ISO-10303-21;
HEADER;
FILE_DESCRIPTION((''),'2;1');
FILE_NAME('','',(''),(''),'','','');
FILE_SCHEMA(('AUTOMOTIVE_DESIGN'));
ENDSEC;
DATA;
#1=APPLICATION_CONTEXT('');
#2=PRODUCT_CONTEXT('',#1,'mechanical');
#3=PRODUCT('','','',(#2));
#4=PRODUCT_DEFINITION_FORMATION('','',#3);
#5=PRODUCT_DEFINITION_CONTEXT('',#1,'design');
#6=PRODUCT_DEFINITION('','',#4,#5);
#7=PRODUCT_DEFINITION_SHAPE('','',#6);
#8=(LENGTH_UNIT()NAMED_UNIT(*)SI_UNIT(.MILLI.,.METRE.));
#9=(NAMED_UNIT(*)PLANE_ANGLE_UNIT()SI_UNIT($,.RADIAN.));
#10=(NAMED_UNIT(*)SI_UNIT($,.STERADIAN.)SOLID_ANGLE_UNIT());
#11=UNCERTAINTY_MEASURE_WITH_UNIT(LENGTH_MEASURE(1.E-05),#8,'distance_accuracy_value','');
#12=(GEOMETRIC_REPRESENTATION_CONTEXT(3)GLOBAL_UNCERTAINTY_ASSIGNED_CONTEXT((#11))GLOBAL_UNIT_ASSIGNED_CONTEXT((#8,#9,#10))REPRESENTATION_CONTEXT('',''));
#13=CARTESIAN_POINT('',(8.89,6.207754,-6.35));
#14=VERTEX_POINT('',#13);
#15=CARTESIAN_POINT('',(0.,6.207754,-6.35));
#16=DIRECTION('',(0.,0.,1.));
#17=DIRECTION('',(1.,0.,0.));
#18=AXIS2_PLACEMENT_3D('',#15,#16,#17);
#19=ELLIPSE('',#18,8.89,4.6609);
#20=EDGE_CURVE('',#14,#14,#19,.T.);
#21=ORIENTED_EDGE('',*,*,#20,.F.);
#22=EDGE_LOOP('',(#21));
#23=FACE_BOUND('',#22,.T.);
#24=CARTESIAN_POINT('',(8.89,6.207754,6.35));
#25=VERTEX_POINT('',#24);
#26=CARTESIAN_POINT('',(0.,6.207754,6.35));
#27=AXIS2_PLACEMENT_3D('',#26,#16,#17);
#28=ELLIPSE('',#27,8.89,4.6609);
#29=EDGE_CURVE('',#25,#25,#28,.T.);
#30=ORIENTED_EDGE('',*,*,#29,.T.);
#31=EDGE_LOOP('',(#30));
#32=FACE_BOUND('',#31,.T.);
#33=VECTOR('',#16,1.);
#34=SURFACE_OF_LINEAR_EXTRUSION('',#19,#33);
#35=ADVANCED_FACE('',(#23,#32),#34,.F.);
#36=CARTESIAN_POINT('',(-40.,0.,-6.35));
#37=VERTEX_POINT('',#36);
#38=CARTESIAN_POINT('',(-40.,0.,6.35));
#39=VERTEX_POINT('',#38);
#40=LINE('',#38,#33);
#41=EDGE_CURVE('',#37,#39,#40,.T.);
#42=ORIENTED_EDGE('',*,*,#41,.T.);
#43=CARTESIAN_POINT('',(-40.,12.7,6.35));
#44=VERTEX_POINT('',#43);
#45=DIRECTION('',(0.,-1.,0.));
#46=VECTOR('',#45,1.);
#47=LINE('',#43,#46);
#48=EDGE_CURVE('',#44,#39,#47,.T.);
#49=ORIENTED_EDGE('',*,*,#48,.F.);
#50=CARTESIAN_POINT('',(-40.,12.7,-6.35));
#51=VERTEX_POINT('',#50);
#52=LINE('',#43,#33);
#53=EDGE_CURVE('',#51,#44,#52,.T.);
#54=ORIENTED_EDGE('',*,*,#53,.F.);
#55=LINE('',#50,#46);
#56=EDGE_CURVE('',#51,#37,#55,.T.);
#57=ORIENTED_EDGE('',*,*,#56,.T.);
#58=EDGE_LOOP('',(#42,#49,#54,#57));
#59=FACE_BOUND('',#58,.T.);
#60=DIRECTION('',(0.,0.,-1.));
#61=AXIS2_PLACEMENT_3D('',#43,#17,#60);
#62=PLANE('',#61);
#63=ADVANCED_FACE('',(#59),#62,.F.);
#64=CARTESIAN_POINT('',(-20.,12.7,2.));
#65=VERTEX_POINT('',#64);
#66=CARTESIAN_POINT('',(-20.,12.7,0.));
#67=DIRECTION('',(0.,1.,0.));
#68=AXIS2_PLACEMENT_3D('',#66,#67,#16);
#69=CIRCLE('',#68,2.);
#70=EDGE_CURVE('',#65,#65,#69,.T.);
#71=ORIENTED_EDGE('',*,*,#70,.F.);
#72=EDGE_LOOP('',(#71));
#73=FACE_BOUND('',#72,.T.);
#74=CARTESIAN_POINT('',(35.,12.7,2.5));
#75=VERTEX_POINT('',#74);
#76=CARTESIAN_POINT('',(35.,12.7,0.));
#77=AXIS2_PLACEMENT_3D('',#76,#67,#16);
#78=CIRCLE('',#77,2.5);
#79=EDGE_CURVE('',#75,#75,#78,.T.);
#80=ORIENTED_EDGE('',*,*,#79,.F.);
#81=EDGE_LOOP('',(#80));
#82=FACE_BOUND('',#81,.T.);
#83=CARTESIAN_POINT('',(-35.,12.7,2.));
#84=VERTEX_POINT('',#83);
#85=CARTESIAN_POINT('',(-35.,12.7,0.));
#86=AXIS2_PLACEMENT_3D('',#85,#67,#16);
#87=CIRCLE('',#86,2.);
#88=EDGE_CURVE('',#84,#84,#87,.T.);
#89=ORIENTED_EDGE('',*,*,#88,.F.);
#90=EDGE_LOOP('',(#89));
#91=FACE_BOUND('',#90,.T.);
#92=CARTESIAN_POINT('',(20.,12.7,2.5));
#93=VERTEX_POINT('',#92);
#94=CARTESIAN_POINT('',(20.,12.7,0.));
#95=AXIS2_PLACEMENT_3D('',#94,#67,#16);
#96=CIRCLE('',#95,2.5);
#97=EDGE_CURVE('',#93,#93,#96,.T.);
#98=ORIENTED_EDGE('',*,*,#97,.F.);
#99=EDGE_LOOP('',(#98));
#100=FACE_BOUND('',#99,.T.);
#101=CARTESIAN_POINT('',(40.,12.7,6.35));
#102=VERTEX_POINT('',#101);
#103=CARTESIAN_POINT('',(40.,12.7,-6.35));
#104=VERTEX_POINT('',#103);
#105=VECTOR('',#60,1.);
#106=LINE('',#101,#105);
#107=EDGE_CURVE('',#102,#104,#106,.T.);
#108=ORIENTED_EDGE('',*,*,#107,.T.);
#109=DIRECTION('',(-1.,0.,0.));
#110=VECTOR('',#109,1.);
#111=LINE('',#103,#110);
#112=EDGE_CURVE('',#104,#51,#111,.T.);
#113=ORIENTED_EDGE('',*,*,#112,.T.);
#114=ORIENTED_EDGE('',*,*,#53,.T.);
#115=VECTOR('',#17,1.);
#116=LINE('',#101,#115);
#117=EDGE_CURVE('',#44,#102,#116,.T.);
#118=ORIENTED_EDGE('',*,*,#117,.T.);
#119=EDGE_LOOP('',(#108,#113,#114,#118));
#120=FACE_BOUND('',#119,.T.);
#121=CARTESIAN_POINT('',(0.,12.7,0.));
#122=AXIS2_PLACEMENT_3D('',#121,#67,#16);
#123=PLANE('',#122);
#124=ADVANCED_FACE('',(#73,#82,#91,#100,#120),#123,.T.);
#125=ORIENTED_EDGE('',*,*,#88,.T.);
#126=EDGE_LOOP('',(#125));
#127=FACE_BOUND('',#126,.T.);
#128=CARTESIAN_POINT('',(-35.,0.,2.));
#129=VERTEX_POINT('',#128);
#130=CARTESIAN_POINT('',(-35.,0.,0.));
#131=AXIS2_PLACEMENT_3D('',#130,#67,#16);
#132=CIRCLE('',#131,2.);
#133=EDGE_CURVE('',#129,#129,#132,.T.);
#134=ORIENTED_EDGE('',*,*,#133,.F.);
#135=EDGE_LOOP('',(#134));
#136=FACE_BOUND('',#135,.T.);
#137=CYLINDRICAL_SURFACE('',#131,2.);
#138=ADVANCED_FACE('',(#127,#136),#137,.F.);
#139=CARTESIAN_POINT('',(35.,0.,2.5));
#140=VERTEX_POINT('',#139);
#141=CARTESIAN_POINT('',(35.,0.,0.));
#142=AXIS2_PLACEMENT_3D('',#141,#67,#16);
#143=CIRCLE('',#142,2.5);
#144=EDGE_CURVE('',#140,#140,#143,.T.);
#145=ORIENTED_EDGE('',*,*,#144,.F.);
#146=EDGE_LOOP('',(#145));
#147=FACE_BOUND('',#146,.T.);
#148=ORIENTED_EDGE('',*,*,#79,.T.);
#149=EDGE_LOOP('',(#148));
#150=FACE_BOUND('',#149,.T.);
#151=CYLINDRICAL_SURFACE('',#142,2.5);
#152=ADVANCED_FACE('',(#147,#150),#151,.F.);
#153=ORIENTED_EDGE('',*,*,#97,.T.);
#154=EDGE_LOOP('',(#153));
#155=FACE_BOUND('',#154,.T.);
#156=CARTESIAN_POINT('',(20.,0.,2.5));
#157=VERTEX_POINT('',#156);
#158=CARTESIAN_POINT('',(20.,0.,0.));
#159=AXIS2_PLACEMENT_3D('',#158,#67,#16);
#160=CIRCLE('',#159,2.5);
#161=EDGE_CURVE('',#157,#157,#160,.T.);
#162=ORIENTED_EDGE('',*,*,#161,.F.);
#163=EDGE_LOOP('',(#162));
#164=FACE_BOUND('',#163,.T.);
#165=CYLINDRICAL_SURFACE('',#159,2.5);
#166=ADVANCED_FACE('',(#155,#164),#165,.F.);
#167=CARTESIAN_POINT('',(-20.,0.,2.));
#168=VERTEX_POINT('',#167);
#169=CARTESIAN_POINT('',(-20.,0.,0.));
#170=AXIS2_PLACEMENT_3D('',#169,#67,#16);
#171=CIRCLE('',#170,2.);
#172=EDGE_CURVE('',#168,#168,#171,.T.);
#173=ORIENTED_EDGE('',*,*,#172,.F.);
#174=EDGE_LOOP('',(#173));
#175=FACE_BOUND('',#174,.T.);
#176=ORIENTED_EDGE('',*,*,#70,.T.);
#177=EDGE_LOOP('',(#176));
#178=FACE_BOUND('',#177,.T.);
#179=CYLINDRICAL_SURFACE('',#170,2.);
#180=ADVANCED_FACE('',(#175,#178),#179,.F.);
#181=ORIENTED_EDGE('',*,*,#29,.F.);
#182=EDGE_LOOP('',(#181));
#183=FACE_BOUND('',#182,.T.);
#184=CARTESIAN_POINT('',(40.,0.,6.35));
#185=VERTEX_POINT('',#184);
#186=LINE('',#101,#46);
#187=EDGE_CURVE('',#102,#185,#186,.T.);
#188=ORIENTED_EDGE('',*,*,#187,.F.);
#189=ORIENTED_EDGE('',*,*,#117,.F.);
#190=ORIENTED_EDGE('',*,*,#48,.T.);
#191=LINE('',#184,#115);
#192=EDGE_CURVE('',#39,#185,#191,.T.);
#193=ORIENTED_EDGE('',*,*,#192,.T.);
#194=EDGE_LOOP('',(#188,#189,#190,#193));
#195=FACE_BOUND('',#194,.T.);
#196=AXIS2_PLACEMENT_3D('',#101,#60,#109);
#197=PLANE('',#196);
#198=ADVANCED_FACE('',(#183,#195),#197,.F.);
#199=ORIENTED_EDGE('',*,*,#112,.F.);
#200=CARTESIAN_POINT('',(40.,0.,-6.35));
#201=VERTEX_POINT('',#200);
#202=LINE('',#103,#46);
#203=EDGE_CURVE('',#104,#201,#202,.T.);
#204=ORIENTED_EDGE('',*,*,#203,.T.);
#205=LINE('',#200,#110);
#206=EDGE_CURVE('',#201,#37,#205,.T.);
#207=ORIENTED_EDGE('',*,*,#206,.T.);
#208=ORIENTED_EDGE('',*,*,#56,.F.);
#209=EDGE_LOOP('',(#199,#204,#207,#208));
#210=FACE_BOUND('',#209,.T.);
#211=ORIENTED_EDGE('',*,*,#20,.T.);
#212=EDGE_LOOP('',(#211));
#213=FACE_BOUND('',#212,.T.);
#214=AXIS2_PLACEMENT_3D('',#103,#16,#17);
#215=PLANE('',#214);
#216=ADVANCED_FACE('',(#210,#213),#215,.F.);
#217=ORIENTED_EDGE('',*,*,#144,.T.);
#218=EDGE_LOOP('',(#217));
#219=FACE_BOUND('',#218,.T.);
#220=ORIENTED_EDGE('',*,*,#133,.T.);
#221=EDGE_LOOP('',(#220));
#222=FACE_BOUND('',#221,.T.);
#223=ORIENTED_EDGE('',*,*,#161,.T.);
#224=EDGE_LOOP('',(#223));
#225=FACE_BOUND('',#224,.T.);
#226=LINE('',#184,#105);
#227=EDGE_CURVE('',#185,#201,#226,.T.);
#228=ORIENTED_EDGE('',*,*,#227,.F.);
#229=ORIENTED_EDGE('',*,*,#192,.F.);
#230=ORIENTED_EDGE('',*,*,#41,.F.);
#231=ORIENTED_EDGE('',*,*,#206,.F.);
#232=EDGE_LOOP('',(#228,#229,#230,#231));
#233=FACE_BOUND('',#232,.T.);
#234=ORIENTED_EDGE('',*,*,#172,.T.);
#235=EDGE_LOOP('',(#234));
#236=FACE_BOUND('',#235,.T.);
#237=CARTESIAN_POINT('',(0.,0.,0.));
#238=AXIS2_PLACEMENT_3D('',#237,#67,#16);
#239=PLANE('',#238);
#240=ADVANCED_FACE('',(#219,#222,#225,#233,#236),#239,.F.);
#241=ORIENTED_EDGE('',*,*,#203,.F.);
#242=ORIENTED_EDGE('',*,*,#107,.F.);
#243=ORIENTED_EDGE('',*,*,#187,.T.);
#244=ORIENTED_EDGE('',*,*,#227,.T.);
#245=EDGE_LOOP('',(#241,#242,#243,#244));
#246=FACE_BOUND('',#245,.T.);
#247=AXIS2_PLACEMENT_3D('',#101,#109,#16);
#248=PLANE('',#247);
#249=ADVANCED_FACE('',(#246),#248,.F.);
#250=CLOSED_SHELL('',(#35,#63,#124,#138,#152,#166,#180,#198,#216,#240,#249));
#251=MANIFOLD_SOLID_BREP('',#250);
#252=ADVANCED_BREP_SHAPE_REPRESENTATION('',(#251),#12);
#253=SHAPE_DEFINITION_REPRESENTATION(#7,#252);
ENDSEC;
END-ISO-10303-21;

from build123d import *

# Parameters (mm, degrees)
SKETCH2_W           = 80
SKETCH2_H           = 12.7
BOSS_EXTRUDE1_DEPTH = 12.7
SKETCH3_R           = 2
SKETCH3_R_2         = 2.5
CUT_EXTRUDE1_DEPTH  = 43.445406112
SKETCH4_RX          = 8.89
SKETCH4_RY          = 4.6609
CUT_EXTRUDE3_DEPTH  = 44.847234804


with BuildPart() as part:
    # Sketch2 → Boss-Extrude1 (new body)
    with BuildSketch(Plane(origin=(0, 0, 0), x_dir=(1, 0, 0), z_dir=(0, 1, 0))):
        Rectangle(SKETCH2_W, SKETCH2_H)
    extrude(amount=BOSS_EXTRUDE1_DEPTH)

    # Sketch3 → Cut-Extrude1 (cut, through all)
    with BuildSketch(Plane(origin=(0, 12.7, 0), x_dir=(1, 0, 0), z_dir=(0, 1, 0))):
        with Locations(Location((-35, 0, 0), (0, 0, 270))):
            Circle(SKETCH3_R)
        with Locations(Location((-20, 0, 0), (0, 0, 270))):
            Circle(SKETCH3_R)
        with Locations(Location((35, 0, 0), (0, 0, 270))):
            Circle(SKETCH3_R_2)
        with Locations(Location((20, 0, 0), (0, 0, 270))):
            Circle(SKETCH3_R_2)
    extrude(amount=-CUT_EXTRUDE1_DEPTH, mode=Mode.SUBTRACT)

    # Sketch4 → Cut-Extrude3 (cut, through all)
    with BuildSketch(Plane.XY.offset(6.35)):
        with Locations((0, 6.20775407)):
            Ellipse(SKETCH4_RX, SKETCH4_RY)
    extrude(amount=-CUT_EXTRUDE3_DEPTH, mode=Mode.SUBTRACT)


solid = part.part
